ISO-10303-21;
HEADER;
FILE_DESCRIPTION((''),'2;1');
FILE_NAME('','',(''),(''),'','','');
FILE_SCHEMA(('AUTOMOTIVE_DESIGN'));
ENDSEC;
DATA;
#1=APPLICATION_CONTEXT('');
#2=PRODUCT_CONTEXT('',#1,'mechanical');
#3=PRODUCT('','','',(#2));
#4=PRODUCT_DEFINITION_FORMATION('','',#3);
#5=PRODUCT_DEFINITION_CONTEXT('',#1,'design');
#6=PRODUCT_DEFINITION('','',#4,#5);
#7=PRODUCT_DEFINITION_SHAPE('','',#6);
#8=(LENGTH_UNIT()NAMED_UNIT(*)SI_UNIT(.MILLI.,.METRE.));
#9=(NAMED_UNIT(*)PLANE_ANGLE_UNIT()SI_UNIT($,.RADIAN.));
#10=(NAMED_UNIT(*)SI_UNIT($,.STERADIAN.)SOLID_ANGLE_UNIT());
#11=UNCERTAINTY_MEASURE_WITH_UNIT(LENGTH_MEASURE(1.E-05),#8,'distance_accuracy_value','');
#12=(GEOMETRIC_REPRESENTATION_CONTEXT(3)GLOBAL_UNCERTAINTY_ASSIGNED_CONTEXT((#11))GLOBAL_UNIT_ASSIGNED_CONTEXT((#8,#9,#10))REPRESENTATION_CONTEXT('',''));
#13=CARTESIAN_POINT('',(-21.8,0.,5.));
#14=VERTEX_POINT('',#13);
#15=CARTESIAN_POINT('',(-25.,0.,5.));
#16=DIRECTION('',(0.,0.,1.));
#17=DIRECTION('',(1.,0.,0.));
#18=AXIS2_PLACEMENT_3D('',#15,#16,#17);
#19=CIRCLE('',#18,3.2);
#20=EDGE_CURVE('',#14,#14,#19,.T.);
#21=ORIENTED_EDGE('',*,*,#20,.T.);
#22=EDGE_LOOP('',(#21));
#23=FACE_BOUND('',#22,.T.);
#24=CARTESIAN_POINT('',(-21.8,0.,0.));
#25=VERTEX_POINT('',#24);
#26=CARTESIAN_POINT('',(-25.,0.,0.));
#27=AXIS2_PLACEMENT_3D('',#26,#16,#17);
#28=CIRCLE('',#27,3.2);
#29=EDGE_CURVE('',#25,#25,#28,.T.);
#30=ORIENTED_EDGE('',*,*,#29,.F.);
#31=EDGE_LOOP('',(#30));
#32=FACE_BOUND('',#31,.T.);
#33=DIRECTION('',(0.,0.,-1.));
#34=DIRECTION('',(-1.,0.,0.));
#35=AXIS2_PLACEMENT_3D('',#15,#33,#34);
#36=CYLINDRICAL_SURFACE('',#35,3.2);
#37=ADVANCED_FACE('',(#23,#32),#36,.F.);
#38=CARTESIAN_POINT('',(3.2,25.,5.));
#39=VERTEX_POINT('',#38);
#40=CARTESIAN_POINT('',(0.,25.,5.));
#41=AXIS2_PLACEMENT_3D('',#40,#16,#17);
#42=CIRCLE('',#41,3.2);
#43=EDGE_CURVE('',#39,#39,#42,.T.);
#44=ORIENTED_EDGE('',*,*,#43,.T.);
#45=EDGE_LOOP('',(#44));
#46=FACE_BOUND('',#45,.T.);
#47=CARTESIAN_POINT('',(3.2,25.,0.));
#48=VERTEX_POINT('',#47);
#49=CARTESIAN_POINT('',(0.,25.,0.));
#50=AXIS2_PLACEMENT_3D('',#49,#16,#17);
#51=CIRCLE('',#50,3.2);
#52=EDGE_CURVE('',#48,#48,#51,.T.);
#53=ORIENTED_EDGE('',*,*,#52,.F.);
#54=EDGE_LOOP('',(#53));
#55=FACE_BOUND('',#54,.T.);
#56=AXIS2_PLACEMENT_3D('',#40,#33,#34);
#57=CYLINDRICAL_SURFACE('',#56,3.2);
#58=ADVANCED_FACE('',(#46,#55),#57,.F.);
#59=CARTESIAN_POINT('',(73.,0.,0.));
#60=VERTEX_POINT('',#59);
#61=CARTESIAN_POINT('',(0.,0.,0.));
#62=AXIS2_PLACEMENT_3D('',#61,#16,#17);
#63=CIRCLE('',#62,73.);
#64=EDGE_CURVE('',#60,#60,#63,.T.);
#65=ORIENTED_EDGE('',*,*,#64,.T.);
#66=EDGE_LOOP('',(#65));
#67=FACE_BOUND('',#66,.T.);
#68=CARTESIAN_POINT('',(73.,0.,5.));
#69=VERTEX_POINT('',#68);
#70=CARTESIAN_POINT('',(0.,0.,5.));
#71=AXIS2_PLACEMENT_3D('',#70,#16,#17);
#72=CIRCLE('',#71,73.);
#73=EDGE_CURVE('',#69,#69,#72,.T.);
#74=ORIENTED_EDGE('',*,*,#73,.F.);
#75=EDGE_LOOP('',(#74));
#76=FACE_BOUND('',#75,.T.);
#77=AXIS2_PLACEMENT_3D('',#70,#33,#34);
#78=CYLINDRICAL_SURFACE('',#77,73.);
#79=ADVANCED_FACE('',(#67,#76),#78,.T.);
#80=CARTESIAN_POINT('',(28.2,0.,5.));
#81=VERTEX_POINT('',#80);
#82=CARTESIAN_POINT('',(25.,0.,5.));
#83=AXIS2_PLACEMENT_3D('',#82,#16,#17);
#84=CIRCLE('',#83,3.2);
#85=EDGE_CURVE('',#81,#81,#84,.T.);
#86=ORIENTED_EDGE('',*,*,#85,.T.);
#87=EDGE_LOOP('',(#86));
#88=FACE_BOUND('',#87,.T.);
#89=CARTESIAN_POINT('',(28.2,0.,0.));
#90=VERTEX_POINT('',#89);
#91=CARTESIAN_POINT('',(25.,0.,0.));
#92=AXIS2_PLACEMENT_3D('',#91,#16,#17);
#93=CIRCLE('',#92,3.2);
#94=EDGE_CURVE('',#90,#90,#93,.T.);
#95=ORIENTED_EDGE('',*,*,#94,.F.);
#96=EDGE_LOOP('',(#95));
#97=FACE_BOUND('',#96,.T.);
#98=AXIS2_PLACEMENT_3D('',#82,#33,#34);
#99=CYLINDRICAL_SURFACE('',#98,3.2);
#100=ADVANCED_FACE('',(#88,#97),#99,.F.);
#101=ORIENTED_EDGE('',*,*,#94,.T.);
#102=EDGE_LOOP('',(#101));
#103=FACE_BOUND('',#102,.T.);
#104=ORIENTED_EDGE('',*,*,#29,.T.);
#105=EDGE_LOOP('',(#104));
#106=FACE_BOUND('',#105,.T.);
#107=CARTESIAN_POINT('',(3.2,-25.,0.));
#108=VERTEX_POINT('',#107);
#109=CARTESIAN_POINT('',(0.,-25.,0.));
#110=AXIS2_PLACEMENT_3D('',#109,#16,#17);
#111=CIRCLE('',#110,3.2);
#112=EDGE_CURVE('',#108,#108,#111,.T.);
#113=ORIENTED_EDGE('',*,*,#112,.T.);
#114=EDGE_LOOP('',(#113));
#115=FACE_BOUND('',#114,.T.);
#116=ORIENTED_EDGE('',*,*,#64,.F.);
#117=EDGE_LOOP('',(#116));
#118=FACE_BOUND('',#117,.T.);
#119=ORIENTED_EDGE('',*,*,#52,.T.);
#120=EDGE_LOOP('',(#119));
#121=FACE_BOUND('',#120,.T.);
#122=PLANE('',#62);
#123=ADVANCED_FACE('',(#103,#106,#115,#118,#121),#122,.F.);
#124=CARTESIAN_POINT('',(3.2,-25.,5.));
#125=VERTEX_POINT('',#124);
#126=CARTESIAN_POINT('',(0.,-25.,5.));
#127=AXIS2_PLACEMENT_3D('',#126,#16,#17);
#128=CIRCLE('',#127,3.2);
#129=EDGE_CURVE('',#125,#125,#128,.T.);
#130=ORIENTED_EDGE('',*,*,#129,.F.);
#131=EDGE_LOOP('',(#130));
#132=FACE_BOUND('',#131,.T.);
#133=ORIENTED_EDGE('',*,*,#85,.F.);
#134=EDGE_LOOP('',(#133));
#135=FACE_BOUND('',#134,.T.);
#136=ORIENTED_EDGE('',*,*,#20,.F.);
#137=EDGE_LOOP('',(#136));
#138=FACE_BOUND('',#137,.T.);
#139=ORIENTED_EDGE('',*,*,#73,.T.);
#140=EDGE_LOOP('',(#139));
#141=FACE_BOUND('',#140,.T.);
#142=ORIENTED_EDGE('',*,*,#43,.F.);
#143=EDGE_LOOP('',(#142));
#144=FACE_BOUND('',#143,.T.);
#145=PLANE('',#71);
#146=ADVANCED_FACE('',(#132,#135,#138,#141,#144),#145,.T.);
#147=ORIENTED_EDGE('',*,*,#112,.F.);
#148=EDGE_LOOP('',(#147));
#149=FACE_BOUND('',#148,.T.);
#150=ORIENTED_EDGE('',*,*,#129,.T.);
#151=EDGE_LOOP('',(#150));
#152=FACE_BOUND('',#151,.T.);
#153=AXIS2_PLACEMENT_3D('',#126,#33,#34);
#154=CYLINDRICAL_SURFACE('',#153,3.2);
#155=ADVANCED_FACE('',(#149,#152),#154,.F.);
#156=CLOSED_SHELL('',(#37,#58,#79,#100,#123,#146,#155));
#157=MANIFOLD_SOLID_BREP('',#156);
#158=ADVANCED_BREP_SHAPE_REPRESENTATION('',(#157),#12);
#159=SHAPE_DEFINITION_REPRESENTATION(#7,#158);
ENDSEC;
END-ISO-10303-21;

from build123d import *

# Parameters (mm, degrees)
SZKIC1_R                    = 73
SZKIC1_R_2                  = 3.2
DODANIE_WYCI_GNI_CIE1_DEPTH = 5


with BuildPart() as part:
    # Szkic1 → Dodanie-wyciągnięcie1 (new body)
    with BuildSketch(Plane.XY):
        Circle(SZKIC1_R)
        with Locations((0, 25)):
            Circle(SZKIC1_R_2, mode=Mode.SUBTRACT)
        with Locations((25, 0)):
            Circle(SZKIC1_R_2, mode=Mode.SUBTRACT)
        with Locations((0, -25)):
            Circle(SZKIC1_R_2, mode=Mode.SUBTRACT)
        with Locations((-25, 0)):
            Circle(SZKIC1_R_2, mode=Mode.SUBTRACT)
    extrude(amount=DODANIE_WYCI_GNI_CIE1_DEPTH)


solid = part.part
